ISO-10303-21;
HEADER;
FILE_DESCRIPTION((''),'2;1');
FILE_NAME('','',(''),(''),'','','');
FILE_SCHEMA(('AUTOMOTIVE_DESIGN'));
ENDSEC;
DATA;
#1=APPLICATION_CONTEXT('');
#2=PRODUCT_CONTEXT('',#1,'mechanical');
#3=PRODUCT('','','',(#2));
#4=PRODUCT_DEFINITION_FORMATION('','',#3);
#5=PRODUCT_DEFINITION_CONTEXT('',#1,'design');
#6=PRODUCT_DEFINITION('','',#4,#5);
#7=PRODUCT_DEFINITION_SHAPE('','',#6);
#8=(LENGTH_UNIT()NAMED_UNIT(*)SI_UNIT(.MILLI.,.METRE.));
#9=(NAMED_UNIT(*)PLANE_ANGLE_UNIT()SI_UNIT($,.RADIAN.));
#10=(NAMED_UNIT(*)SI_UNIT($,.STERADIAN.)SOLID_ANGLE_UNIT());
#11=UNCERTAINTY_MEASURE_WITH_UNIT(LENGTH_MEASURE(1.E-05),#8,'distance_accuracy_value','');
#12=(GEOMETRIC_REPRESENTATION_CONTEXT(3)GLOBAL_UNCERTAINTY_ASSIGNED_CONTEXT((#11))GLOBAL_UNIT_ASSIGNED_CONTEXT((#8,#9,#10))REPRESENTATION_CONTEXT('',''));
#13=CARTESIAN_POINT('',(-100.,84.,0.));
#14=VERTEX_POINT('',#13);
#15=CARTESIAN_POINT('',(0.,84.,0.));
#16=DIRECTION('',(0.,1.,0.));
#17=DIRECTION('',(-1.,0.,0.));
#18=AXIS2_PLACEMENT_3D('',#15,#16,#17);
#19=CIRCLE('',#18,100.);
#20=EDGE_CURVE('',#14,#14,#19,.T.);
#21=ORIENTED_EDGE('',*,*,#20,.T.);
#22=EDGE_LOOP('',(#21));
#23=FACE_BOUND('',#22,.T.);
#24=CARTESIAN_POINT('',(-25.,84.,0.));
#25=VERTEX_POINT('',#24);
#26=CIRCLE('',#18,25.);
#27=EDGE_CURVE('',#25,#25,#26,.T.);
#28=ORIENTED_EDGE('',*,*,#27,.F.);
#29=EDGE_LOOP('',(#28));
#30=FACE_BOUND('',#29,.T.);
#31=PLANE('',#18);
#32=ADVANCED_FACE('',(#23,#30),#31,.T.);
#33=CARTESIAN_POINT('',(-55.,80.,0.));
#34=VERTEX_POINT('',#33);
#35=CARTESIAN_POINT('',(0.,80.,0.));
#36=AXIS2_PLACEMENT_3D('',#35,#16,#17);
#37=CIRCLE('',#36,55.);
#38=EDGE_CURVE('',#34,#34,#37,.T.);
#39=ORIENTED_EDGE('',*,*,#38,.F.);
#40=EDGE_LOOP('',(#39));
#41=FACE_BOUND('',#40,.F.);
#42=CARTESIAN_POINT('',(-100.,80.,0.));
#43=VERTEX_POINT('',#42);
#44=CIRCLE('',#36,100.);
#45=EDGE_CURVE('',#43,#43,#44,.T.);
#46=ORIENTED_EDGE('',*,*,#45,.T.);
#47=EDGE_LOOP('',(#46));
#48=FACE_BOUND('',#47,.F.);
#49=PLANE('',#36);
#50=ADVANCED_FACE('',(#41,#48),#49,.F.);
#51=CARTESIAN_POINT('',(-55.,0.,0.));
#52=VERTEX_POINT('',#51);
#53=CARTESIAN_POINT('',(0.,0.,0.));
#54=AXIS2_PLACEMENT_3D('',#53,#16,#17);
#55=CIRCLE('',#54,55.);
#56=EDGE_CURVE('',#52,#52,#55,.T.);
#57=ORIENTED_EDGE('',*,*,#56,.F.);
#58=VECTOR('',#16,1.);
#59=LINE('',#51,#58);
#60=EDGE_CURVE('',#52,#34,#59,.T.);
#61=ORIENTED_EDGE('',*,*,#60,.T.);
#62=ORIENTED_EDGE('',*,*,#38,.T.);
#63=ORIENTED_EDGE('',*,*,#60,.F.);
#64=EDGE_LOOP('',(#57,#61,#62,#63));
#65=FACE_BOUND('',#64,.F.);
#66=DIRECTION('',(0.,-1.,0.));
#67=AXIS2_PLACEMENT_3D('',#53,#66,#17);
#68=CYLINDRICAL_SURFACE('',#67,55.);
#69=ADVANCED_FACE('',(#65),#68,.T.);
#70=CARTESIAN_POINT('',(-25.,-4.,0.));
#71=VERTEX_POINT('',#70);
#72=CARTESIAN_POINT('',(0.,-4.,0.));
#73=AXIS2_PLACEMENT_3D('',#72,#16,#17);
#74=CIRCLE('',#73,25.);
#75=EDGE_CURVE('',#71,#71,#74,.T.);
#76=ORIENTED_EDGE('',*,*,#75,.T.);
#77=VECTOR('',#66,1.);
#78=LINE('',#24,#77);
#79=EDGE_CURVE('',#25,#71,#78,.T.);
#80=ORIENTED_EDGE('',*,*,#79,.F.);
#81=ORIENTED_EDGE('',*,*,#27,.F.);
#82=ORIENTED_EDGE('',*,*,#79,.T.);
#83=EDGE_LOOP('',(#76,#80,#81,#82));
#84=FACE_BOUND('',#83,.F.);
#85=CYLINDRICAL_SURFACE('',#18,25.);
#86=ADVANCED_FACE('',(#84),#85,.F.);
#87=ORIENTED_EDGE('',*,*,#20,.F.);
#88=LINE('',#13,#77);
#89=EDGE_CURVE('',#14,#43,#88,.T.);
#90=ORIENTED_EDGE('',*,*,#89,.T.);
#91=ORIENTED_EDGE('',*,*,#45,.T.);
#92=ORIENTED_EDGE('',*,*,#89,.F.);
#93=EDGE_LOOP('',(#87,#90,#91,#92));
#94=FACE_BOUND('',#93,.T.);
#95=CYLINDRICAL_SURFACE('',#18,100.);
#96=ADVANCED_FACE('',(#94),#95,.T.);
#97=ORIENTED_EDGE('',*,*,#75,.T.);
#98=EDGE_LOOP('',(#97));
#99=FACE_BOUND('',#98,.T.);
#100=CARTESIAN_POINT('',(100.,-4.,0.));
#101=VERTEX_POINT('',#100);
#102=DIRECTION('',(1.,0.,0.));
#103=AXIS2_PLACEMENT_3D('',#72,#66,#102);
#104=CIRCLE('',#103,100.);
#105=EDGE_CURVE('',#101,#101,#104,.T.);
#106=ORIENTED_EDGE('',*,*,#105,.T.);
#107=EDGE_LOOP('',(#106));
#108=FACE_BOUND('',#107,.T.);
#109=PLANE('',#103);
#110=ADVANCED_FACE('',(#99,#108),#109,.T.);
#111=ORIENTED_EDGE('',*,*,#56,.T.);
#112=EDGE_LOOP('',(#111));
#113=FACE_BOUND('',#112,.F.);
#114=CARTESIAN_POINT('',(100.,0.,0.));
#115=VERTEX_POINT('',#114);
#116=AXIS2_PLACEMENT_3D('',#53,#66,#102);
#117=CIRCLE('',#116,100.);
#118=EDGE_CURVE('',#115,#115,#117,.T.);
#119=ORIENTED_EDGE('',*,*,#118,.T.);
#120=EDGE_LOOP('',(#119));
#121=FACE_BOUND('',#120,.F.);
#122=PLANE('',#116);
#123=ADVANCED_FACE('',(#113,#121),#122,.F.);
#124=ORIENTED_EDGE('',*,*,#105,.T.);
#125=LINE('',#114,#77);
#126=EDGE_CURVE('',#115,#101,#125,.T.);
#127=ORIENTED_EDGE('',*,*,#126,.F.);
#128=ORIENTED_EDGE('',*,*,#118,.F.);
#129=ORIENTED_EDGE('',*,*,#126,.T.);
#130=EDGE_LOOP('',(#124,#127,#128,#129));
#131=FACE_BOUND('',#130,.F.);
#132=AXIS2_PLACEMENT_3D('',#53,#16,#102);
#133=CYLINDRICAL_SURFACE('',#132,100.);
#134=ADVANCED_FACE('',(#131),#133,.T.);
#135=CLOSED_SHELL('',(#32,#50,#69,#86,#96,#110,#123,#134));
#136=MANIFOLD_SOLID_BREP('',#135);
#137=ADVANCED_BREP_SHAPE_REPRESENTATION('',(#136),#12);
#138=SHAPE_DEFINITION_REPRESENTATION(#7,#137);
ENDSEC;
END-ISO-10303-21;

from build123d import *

# Parameters (mm, degrees)
F0_R     = 100
F1_DEPTH = 4
F2_R     = 55
F3_DEPTH = 84
F4_R     = 100
F4_R_2   = 55
F5_DEPTH = 4
F6_R     = 25
F7_DEPTH = 88


with BuildPart() as f1:
    # F0 (on Front) → F1 (new body)
    with BuildSketch(Plane.XZ):
        Circle(F0_R)
    extrude(amount=F1_DEPTH)

    # F2 (on face) → F3 (join)
    with BuildSketch(Plane(origin=(0, 0, 0), x_dir=(-1, 0, 0), z_dir=(0, 1, 0))):
        Circle(F2_R)
    extrude(amount=F3_DEPTH)

    # F4 (on face) → F5 (join)
    with BuildSketch(Plane(origin=(0, 84, 0), x_dir=(-1, 0, 0), z_dir=(0, 1, 0))):
        Circle(F4_R)
        Circle(F4_R_2, mode=Mode.SUBTRACT)
    extrude(amount=-F5_DEPTH)

    # F6 (on face) → F7 (cut, through all)
    with BuildSketch(Plane(origin=(0, 84, 0), x_dir=(-1, 0, 0), z_dir=(0, 1, 0))):
        Circle(F6_R)
    extrude(amount=-F7_DEPTH, mode=Mode.SUBTRACT)


solid = f1.part
